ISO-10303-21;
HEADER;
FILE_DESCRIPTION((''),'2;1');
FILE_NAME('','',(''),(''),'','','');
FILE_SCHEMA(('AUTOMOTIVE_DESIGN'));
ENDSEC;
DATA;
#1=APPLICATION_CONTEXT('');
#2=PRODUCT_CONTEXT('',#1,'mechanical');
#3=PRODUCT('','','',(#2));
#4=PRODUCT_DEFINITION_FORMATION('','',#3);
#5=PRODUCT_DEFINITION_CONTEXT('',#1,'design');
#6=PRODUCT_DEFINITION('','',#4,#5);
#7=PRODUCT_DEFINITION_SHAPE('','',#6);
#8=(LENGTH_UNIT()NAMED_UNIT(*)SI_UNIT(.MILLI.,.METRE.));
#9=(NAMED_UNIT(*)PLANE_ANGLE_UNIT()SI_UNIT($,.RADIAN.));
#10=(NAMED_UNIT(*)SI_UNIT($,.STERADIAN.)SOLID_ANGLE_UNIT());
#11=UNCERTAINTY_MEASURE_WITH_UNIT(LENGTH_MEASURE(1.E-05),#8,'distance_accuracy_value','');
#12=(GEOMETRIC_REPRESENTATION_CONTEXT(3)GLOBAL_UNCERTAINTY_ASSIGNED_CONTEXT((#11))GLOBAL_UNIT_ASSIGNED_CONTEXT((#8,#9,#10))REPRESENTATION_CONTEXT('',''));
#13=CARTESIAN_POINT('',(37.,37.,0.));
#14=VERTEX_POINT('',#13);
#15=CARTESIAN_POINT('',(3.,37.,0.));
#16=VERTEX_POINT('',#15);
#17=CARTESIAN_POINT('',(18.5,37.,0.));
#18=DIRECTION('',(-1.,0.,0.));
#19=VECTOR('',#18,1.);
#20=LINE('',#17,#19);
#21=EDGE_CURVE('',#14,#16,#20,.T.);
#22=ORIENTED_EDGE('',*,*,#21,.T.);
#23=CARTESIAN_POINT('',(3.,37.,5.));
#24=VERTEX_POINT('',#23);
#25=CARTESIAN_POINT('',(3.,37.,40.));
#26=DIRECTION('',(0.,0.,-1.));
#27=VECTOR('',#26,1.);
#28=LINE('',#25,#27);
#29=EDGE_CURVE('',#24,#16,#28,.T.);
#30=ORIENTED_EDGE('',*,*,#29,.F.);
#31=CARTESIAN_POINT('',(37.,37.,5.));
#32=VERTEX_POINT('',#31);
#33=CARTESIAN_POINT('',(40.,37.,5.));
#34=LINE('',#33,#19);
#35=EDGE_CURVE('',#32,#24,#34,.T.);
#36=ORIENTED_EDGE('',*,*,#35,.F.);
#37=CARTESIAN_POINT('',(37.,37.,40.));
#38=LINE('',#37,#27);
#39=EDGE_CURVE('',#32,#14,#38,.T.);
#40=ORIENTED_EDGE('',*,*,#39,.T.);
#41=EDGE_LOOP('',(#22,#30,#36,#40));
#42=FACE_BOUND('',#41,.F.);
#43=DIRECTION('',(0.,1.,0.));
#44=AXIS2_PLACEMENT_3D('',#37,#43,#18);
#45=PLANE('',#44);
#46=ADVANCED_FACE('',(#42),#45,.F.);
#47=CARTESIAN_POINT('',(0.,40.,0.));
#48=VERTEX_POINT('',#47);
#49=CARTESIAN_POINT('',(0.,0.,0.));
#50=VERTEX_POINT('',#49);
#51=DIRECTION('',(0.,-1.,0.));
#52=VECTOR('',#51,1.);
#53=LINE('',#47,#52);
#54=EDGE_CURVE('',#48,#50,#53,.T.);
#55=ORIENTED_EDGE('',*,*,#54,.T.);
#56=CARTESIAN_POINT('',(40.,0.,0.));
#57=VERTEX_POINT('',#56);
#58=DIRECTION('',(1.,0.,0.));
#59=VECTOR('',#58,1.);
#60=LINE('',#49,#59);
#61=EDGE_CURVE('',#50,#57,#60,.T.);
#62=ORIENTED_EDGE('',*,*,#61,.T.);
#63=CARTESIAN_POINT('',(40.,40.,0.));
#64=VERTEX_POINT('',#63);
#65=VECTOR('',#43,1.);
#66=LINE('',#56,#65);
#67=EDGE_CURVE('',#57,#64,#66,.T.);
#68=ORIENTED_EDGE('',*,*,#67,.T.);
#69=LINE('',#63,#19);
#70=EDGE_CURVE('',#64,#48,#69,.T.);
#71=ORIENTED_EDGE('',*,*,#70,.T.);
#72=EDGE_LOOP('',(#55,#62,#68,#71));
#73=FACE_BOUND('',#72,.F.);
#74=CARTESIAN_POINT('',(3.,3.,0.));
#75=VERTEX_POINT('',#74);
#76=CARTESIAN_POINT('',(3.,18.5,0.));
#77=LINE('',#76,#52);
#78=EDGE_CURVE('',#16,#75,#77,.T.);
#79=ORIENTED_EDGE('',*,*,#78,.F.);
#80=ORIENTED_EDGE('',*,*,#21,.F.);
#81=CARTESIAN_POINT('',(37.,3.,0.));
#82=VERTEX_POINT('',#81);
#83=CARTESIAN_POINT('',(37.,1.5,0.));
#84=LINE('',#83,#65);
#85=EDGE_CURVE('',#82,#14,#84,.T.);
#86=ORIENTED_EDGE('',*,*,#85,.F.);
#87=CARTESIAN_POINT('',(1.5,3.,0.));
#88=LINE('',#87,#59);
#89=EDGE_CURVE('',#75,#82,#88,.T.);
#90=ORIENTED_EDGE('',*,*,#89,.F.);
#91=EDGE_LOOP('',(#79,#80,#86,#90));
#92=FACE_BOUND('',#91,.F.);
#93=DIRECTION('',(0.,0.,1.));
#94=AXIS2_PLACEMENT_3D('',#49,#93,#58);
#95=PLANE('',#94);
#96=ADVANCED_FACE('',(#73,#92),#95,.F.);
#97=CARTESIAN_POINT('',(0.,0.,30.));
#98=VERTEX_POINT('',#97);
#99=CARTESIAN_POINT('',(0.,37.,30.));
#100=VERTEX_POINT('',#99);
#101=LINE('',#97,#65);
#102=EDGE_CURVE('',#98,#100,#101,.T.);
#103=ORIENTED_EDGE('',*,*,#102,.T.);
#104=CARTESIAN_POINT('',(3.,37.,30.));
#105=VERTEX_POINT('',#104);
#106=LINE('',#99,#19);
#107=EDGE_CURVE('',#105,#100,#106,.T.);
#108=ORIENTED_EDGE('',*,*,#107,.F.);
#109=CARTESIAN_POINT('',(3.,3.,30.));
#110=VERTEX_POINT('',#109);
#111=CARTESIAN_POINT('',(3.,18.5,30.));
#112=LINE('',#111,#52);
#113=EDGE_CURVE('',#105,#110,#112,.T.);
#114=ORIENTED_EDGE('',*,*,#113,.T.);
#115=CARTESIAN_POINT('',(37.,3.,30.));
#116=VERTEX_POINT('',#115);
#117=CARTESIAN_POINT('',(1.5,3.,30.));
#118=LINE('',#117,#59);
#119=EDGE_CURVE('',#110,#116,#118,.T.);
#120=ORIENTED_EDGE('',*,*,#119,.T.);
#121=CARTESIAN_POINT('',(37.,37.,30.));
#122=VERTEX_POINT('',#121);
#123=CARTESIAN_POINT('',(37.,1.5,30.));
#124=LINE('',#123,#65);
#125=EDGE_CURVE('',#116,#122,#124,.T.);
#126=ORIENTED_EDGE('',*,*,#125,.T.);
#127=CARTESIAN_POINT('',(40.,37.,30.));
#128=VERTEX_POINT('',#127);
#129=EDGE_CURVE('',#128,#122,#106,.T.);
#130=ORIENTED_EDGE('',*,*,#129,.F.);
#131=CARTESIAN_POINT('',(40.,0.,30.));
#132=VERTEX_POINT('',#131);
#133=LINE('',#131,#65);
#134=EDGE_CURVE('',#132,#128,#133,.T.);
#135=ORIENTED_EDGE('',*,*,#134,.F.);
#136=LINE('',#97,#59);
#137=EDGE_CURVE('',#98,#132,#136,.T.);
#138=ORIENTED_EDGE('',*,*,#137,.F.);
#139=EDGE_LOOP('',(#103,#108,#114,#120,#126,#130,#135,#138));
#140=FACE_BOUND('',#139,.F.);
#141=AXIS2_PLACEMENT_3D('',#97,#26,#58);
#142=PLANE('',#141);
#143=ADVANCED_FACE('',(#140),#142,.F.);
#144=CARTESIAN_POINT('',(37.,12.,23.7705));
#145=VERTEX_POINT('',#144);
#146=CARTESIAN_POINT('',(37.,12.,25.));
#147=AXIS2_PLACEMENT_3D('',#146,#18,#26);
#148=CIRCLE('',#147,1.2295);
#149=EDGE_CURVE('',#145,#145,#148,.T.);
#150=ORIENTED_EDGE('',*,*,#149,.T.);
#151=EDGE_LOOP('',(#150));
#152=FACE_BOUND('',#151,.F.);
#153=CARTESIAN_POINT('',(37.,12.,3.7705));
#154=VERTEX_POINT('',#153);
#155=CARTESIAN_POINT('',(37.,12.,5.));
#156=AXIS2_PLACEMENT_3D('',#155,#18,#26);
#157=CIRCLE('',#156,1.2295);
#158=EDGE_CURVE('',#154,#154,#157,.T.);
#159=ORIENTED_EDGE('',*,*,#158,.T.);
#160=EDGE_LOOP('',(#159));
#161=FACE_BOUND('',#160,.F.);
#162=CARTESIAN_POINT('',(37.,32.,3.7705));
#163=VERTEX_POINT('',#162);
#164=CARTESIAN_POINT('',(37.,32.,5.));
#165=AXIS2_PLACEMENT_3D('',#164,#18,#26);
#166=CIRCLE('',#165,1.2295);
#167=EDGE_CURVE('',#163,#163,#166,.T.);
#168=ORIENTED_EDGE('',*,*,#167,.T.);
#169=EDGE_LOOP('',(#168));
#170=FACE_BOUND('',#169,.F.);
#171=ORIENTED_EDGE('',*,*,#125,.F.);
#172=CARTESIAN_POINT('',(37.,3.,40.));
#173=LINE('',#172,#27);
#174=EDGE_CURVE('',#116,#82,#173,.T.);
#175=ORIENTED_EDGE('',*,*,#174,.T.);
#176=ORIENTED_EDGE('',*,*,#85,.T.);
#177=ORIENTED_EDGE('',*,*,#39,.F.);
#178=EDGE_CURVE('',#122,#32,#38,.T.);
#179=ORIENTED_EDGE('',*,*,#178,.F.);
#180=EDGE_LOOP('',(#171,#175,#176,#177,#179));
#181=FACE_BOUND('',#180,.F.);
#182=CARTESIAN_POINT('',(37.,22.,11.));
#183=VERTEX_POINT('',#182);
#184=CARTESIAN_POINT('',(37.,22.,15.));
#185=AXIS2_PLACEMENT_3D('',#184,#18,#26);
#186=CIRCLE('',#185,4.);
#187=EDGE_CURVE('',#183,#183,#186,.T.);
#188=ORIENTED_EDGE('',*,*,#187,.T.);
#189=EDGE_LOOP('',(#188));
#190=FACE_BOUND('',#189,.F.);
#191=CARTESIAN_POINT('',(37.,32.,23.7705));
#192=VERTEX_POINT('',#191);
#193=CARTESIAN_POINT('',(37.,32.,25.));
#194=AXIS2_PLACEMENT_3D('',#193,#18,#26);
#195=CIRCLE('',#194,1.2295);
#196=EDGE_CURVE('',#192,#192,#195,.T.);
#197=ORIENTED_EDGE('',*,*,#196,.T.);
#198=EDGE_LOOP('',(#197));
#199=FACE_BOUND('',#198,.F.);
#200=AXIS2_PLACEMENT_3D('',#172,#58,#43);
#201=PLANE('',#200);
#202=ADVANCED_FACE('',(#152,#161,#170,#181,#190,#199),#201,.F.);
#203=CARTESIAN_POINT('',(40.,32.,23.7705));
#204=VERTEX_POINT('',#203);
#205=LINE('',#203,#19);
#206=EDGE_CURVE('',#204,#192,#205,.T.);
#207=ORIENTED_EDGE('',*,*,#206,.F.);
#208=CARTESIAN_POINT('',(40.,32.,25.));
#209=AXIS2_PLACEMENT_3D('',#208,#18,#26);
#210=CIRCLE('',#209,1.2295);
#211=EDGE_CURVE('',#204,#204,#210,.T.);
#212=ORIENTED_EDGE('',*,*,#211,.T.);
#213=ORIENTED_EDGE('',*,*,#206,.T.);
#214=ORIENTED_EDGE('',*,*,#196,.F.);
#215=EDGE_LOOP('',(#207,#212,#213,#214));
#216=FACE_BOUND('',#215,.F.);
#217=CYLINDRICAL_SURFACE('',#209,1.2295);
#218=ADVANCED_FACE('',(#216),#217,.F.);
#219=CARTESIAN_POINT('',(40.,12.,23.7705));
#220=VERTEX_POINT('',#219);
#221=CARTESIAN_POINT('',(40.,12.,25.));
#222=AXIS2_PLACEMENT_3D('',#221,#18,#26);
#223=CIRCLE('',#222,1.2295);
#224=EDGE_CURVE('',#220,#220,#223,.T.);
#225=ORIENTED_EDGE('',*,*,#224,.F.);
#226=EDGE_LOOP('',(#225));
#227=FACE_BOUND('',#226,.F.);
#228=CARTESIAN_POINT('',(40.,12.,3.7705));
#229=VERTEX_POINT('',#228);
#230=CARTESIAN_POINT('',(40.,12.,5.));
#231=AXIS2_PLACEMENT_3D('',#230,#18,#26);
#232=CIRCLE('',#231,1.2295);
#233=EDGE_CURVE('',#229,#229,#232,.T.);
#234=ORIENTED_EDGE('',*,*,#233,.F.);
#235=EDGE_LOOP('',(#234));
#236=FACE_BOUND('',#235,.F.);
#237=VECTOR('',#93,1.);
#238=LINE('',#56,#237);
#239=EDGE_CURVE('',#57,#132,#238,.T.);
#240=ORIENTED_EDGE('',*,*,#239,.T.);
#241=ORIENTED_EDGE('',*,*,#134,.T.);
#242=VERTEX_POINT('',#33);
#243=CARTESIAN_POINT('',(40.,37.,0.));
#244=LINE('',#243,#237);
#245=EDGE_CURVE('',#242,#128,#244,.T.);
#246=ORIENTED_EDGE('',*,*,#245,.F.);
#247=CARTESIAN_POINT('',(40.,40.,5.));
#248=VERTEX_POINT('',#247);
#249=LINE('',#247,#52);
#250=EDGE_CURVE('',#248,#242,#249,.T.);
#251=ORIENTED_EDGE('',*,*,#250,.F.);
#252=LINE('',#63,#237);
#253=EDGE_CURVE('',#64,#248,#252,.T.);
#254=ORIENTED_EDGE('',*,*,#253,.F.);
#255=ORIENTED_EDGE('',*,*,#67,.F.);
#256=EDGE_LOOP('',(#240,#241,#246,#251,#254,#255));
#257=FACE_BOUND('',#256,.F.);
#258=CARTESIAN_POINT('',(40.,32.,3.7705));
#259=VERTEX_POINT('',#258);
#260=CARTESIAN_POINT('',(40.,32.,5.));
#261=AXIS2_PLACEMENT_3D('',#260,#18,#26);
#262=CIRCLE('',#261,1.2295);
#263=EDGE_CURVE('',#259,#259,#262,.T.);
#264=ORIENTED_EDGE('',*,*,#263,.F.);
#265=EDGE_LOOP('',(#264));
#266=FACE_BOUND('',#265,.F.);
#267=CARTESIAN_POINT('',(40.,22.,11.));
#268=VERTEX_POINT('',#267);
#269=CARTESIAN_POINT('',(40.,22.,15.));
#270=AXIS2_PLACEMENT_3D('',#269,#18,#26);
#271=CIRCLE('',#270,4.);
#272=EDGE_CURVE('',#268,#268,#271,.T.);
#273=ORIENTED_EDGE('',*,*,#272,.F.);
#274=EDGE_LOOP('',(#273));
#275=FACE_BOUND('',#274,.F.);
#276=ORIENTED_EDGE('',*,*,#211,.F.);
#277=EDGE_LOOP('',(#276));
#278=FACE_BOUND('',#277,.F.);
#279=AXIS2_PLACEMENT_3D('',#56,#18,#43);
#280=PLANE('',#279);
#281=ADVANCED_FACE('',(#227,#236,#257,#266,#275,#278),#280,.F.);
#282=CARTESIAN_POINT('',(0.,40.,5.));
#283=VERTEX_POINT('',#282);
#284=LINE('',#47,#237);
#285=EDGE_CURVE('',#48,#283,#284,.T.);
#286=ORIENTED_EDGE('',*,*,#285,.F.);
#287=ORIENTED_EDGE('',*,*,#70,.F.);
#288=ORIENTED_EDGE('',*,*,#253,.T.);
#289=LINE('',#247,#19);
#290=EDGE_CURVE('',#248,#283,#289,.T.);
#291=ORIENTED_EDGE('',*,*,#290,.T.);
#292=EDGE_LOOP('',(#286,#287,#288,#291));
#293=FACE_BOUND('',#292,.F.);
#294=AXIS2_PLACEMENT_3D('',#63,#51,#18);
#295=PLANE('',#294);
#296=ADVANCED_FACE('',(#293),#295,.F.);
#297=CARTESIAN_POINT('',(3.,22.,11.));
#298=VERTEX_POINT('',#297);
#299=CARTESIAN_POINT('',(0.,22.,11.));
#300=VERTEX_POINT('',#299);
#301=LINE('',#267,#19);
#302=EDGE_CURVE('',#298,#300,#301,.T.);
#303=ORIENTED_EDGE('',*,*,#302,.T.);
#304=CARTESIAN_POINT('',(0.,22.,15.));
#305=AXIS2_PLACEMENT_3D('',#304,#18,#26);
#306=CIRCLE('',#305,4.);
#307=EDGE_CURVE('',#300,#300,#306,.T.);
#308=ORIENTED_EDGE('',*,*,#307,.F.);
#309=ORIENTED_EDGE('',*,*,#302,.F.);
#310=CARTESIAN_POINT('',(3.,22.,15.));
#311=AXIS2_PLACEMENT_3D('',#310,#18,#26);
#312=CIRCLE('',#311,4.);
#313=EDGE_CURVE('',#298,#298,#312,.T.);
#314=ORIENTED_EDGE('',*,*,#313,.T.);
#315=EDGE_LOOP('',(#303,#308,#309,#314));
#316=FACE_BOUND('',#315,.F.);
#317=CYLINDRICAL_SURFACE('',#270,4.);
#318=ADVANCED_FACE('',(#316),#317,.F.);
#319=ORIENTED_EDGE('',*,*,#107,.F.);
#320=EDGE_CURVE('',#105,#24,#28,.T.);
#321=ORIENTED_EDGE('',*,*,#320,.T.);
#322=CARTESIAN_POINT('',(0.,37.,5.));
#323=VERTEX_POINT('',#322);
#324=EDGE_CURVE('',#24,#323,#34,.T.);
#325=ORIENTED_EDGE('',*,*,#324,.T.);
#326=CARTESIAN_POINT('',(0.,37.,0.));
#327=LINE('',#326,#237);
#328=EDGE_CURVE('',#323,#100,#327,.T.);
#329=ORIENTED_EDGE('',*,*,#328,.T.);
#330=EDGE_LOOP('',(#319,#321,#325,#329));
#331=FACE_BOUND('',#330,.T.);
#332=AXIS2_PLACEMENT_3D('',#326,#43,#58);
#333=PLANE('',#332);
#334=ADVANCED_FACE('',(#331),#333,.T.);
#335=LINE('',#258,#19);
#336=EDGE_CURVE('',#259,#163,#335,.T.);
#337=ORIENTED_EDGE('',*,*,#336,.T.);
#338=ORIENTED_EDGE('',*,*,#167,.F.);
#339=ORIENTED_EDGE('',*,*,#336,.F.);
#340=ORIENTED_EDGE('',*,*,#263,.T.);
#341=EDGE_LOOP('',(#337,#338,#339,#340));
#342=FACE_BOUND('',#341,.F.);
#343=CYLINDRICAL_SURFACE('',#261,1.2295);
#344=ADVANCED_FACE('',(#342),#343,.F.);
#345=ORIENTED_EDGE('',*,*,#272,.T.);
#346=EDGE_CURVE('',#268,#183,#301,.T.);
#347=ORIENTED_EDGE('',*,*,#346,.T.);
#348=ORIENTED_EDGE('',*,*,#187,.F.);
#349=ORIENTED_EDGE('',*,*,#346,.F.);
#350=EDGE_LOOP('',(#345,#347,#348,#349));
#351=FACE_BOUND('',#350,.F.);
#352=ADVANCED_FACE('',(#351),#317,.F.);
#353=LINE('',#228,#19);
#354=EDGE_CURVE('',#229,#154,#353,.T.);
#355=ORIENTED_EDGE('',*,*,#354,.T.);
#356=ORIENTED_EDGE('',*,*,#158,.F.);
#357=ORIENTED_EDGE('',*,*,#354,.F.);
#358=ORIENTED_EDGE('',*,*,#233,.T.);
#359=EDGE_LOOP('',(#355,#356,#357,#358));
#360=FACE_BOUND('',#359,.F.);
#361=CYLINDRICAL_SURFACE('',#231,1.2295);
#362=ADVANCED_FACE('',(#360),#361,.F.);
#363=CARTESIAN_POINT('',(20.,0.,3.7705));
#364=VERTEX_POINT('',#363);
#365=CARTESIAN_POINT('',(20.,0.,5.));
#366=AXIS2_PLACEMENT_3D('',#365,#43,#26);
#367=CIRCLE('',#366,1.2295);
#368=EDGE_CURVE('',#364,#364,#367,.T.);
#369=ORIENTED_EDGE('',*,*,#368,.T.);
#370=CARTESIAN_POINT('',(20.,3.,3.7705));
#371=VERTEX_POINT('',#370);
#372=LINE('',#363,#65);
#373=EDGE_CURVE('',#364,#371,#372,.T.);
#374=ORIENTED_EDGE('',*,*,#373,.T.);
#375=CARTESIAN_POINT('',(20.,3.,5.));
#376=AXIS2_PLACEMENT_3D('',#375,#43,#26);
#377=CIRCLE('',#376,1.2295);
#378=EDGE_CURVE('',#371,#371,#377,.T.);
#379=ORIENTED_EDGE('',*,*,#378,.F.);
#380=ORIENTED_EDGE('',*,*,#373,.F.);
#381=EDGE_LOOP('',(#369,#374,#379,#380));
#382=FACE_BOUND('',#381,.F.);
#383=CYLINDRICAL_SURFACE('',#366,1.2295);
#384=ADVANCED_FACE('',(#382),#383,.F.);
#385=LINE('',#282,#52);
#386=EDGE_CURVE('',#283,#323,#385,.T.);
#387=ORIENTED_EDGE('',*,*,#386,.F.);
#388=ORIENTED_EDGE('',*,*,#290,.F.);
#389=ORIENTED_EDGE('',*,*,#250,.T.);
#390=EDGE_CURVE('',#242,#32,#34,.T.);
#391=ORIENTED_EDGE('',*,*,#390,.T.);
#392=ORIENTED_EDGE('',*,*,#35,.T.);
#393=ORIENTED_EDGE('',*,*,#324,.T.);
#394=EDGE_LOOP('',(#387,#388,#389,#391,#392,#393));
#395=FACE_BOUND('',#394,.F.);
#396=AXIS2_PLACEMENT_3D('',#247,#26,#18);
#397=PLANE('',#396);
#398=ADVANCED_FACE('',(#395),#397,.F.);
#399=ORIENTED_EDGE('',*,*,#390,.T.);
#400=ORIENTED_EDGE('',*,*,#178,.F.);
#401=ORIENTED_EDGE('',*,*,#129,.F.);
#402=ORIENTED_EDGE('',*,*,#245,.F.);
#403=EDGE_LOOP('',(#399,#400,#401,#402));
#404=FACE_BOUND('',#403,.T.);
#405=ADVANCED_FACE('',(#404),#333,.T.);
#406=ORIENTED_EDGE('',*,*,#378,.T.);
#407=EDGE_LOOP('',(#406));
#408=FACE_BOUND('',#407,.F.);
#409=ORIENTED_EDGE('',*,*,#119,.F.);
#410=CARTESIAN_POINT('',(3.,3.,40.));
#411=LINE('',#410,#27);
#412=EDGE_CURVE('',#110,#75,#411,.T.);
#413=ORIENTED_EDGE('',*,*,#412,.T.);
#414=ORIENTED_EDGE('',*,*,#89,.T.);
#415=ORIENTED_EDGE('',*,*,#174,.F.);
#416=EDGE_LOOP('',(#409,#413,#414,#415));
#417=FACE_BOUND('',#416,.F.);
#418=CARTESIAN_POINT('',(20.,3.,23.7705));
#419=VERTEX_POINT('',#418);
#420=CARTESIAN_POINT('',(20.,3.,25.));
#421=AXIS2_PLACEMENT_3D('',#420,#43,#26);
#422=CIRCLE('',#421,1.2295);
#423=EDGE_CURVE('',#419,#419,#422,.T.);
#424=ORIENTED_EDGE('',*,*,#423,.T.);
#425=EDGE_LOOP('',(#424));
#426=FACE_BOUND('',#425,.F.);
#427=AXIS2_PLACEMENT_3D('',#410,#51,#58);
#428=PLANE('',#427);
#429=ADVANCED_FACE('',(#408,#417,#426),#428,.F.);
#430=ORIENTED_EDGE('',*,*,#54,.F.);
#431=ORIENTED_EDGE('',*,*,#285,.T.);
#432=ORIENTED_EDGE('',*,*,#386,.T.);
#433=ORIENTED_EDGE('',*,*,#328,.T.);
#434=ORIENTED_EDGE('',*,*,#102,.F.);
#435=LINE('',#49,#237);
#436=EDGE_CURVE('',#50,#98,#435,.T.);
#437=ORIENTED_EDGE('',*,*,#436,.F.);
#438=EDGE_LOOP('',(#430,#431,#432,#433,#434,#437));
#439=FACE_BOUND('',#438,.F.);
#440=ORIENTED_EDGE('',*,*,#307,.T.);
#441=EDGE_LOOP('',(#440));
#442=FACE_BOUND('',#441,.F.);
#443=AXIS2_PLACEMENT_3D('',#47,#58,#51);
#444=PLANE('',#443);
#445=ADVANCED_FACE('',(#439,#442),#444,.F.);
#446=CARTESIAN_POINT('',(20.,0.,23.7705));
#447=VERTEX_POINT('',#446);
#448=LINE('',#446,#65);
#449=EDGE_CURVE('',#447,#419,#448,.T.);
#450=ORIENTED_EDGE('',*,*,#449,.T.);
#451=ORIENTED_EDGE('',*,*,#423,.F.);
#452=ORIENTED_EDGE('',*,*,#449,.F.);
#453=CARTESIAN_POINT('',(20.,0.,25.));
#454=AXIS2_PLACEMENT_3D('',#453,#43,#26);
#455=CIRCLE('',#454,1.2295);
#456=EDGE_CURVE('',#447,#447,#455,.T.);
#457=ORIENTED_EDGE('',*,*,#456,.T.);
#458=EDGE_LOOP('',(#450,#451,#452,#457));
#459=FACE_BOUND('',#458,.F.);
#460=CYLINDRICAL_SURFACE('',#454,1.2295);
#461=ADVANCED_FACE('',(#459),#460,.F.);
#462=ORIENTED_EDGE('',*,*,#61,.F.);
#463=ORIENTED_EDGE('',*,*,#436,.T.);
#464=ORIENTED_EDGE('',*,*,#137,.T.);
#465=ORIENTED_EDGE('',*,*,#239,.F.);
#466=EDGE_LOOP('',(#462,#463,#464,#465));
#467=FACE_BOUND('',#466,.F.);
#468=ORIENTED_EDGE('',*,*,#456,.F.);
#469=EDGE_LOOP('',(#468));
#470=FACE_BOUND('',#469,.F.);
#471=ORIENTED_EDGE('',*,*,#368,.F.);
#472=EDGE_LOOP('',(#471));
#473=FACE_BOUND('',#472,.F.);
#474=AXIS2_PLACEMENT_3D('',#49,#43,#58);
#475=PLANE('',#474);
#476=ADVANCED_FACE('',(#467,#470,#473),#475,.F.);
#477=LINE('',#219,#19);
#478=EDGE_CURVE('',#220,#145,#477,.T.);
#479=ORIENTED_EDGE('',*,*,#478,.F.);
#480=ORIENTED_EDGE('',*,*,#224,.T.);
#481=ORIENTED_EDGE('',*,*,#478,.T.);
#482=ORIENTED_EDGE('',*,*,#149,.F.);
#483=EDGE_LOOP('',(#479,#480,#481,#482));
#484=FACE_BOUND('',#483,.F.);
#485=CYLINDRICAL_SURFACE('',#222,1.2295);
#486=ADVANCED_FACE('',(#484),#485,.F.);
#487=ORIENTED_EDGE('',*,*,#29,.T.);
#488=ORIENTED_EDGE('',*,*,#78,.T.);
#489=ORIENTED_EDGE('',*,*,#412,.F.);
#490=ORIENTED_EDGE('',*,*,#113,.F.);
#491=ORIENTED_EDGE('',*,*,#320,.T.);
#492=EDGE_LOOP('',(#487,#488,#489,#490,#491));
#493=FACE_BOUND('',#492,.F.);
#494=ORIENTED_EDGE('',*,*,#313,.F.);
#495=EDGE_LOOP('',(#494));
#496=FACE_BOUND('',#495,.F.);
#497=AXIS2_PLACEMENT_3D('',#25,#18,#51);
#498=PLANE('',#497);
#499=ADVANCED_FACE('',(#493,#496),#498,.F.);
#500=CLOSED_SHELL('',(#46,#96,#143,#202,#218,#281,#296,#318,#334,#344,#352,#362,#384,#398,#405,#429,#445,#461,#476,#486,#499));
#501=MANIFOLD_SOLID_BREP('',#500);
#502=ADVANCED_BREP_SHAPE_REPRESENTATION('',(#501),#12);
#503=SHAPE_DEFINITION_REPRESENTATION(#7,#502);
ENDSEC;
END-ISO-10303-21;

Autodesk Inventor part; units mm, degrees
ref_plane "YZ Plane" through (0, 0, 0) normal (1, 0, 0) x (0, 1, 0)
ref_plane "XZ Plane" through (0, 0, 0) normal (0, 1, 0) x (-1, 0, 0)
ref_plane "XY Plane" through (0, 0, 0) normal (0, 0, 1) x (1, 0, 0)
sketch "スケッチ1" plane through (0, 0, 0) normal (0, 0, 1) x (1, 0, 0)
  line L0 (0, 0) -> (40, 0)
  line L1 (40, 0) -> (40, 40)
  line L2 (40, 40) -> (0, 40)
  line L3 (0, 40) -> (0, 0)
  dimension "d0" = 40
  dimension "d1" = 40
extrude "押し出し1" add sketch "スケッチ1" along normal blind 40
sketch "スケッチ2" plane through (0, 0, 0) normal (0, 0, -1) x (-1, 0, 0)
  point P0 (0, 0)
sketch "スケッチ3" plane through (0, 0, 40) normal (0, 0, 1) x (1, 0, 0)
  line L0 (3, 3) -> (37, 3)
  line L1 (37, 3) -> (37, 37)
  line L2 (37, 37) -> (3, 37)
  line L3 (3, 37) -> (3, 3)
  line L4 (0, 40) -> (0, 0) projected
  line L5 (40, 40) -> (0, 40) projected
  line L6 (40, 0) -> (40, 40) projected
  line L7 (0, 0) -> (40, 0) projected
  dimension "d4" = 3
  dimension "d5" = 3
  dimension "d6" = 3
  dimension "d7" = 3
extrude "押し出し2" cut sketch "スケッチ3" against normal through all contours L3 L2 L1 L0
sketch "スケッチ4" plane through (0, 40, 0) normal (0, 1, 0) x (1, 0, 0)
  line L0 (0, 0) -> (0, -40) projected
  line L1 (40, 0) -> (40, -40) projected
  line L2 (0, -40) -> (40, -40)
  line L3 (40, -40) -> (40, -5)
  line L4 (40, -5) -> (0, -5)
  line L5 (0, -5) -> (0, -40)
  line L6 (40, 0) -> (0, 0) projected
  point P0 (0, -5)
  dimension "d10" = 5
extrude "押し出し3" cut sketch "スケッチ4" against normal blind 3 contours L4 L1 L2 L0
sketch "スケッチ5" plane through (0, 0, 0) normal (0, -1, 0) x (1, 0, 0)
  line L0 (0, 40) -> (0, 5) projected
  line L1 (0, 30) -> (40, 30)
  line L2 (40, 5) -> (40, 40) projected
  line L3 (0, 40) -> (40, 40) projected
  point P0 (0, 0)
  dimension "d13" = 10
extrude "押し出し4" cut sketch "スケッチ5" against normal through all
sketch "スケッチ6" plane through (0, 37, 0) normal (0, 1, 0) x (1, 0, 0)
  point P0 (0, 0)
sketch "スケッチ7" plane through (0, 0, 0) normal (0, -1, 0) x (1, 0, 0)
  line L0 (40, 30) -> (0, 30) projected
  line L1 (0, 0) -> (40, 0) projected
  line L2 (40, 0) -> (40, 30) projected
  point P0 (20, 5)
  point P1 (20, 25)
  dimension "d16" = 5
  dimension "d17" = 5
  dimension "d18" = 20
  dimension "d19" = 20
hole "穴1" at (20, 0, 5) at (20, 0, 25) direction (0, 1, 0) diameter 2.459 depth 3 thread size "M3x0.5" class "6H" standard "ANSI Metric M Profile"
sketch "スケッチ8" plane through (40, 0, 0) normal (1, 0, 0) x (0, 0, -1)
  line L0 (-30, 37) -> (-30, 0) projected
  line L1 (-5, 37) -> (-30, 37) projected
  line L2 (0, 0) -> (-30, 0) projected
  line L3 (0, 0) -> (0, 40) projected
  line L4 (0, 40) -> (-5, 40) projected
  point P0 (-25, 32)
  point P1 (-5, 32)
  point P2 (-5, 12)
  point P3 (-25, 12)
  dimension "d27" = 5
  dimension "d28" = 5
  dimension "d29" = 5
  dimension "d30" = 12
  dimension "d31" = 12
  dimension "d32" = 5
  dimension "d33" = 5
  dimension "d34" = 8
hole "穴2" at (40, 32, 25) at (40, 32, 5) at (40, 12, 25) at (40, 12, 5) direction (-1, 0, 0) diameter 2.459 depth 3 thread size "M3x0.5" class "6H" standard "ANSI Metric M Profile"
sketch "スケッチ9" plane through (40, 0, 0) normal (1, 0, 0) x (0, 0, -1)
  line L0 (-30, 37) -> (-30, 0) projected
  line L1 (-5, 37) -> (-30, 37) projected
  line L2 (0, 0) -> (-30, 0) projected
  point P0 (-15, 22)
  dimension "d42" = 15
  dimension "d44" = 22
hole "穴3" at (40, 22, 15) direction (-1, 0, 0) diameter 8 end through all
properties part number "3SR02_振子支え"
